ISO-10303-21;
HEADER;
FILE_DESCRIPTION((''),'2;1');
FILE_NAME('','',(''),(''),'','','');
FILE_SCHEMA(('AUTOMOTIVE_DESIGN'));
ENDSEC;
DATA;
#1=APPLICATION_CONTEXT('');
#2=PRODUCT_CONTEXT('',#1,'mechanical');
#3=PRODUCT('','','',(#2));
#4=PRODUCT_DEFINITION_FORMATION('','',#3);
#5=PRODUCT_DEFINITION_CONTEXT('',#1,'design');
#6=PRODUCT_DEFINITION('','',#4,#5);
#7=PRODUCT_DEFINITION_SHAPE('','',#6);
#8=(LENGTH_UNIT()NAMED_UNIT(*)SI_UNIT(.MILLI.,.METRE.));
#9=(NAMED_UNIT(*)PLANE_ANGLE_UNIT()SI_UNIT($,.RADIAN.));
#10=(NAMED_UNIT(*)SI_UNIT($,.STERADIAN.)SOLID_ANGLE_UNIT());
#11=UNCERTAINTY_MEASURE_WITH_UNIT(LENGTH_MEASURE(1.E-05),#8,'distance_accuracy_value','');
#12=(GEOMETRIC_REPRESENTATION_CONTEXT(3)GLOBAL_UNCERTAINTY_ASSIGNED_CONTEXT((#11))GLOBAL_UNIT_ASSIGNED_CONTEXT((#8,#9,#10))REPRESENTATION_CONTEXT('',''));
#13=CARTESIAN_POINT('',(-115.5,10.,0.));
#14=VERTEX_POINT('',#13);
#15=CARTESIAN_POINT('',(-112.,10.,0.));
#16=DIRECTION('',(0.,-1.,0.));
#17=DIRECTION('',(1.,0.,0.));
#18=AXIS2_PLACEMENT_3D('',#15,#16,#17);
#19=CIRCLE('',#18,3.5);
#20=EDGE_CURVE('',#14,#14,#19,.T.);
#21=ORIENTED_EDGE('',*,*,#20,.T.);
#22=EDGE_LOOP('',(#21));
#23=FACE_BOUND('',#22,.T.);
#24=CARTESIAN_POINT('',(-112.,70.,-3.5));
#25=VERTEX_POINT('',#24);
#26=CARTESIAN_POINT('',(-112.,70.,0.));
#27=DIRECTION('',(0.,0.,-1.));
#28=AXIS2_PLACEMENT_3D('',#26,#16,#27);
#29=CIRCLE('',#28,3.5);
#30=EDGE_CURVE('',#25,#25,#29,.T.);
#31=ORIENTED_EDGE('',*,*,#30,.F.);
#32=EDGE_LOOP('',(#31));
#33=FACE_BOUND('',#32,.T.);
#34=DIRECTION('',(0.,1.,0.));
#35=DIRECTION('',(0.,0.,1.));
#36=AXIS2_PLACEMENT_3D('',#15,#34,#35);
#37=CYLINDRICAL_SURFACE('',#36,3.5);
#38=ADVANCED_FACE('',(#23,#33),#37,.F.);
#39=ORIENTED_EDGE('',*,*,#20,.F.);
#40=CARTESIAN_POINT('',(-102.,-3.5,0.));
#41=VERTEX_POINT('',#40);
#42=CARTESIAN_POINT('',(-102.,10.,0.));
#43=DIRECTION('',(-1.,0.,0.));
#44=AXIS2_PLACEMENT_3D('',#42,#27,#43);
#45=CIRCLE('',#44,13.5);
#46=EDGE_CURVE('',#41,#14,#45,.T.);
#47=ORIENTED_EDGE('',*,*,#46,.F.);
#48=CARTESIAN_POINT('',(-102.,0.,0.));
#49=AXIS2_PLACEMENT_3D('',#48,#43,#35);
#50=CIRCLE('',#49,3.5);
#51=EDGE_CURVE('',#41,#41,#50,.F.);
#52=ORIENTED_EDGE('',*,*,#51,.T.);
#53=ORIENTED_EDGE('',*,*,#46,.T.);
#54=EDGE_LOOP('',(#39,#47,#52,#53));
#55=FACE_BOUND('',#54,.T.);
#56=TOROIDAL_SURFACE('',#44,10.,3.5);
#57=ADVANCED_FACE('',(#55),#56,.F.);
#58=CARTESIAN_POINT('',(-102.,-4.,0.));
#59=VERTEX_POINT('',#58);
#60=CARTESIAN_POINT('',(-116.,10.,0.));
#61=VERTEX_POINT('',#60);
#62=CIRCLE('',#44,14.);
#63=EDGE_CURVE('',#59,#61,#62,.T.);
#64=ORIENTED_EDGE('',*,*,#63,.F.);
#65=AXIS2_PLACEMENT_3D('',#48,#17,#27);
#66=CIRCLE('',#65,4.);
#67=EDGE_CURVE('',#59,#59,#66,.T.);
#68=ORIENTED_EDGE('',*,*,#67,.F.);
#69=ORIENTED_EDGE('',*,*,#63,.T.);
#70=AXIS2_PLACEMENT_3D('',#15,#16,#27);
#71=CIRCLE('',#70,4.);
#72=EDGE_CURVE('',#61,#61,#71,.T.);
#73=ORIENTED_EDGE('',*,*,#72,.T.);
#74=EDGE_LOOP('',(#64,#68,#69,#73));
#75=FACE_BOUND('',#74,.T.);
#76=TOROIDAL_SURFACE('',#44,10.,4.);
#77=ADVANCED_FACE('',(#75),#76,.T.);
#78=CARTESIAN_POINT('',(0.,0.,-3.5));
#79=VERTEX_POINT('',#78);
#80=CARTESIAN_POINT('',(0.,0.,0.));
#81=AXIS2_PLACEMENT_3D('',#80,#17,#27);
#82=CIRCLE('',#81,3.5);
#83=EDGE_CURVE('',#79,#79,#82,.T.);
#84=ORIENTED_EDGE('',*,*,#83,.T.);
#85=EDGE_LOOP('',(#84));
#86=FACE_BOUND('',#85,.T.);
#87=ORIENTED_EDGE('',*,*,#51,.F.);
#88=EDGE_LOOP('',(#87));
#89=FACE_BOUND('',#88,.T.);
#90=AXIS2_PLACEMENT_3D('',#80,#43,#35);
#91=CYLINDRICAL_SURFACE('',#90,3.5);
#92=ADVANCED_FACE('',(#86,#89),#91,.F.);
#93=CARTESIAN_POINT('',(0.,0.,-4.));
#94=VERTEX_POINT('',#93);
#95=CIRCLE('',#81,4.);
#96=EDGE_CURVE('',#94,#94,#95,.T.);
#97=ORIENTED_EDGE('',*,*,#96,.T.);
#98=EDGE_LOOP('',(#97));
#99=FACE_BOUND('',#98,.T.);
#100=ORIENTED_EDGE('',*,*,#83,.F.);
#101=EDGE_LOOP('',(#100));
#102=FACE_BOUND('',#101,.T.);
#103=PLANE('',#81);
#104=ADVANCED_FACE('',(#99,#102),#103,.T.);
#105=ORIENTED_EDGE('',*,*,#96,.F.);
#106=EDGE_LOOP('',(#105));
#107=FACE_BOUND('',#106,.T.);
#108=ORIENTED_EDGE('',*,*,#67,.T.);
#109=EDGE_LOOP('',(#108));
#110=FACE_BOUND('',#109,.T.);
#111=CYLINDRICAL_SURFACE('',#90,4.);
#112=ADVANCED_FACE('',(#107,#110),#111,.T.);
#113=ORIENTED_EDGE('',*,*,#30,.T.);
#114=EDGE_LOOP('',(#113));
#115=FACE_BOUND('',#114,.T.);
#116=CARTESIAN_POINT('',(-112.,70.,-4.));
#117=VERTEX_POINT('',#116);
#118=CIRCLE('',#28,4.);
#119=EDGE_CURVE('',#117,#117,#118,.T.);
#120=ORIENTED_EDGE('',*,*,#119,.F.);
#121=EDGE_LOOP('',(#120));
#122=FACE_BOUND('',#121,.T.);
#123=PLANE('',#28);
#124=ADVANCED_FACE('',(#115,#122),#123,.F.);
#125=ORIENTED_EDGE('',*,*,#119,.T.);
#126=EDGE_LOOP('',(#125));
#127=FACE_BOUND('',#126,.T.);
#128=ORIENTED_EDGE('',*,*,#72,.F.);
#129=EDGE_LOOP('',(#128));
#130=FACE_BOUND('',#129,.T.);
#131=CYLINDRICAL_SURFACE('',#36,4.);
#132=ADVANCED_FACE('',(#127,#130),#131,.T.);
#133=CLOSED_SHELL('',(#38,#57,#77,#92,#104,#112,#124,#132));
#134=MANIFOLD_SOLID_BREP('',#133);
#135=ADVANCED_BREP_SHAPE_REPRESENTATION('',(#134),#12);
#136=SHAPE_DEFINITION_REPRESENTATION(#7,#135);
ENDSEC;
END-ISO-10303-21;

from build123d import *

# Parameters (mm, degrees)
SWEEP1_PROFILE_R = 4
SHELL1_T         = -0.5


with BuildPart() as part:
    # Sweep1: sweep along a path in Sketch1
    with BuildLine(Plane.XY) as sweep1_path:
        Line((0, 0), (-102, 0))
        ThreePointArc((-102, 0), (-109.071067812, 2.928932188), (-112, 10))
        Line((-112, 10), (-112, 70))
    # Sweep1 profile (on start of the path) → Sweep1 (sweep)
    with BuildSketch(Plane(origin=(0, 0, 0), x_dir=(0, 0, -1), z_dir=(-1, 0, 0))):
        Circle(SWEEP1_PROFILE_R)
    sweep(path=sweep1_path.line)

    # Shell1
    shell1_openings = [part.faces().sort_by_distance(p)[0] for p in [
        (-112, 70, 0),
        (0, 0, 0),
    ]]
    offset(amount=SHELL1_T, openings=shell1_openings, kind=Kind.INTERSECTION)


solid = part.part
